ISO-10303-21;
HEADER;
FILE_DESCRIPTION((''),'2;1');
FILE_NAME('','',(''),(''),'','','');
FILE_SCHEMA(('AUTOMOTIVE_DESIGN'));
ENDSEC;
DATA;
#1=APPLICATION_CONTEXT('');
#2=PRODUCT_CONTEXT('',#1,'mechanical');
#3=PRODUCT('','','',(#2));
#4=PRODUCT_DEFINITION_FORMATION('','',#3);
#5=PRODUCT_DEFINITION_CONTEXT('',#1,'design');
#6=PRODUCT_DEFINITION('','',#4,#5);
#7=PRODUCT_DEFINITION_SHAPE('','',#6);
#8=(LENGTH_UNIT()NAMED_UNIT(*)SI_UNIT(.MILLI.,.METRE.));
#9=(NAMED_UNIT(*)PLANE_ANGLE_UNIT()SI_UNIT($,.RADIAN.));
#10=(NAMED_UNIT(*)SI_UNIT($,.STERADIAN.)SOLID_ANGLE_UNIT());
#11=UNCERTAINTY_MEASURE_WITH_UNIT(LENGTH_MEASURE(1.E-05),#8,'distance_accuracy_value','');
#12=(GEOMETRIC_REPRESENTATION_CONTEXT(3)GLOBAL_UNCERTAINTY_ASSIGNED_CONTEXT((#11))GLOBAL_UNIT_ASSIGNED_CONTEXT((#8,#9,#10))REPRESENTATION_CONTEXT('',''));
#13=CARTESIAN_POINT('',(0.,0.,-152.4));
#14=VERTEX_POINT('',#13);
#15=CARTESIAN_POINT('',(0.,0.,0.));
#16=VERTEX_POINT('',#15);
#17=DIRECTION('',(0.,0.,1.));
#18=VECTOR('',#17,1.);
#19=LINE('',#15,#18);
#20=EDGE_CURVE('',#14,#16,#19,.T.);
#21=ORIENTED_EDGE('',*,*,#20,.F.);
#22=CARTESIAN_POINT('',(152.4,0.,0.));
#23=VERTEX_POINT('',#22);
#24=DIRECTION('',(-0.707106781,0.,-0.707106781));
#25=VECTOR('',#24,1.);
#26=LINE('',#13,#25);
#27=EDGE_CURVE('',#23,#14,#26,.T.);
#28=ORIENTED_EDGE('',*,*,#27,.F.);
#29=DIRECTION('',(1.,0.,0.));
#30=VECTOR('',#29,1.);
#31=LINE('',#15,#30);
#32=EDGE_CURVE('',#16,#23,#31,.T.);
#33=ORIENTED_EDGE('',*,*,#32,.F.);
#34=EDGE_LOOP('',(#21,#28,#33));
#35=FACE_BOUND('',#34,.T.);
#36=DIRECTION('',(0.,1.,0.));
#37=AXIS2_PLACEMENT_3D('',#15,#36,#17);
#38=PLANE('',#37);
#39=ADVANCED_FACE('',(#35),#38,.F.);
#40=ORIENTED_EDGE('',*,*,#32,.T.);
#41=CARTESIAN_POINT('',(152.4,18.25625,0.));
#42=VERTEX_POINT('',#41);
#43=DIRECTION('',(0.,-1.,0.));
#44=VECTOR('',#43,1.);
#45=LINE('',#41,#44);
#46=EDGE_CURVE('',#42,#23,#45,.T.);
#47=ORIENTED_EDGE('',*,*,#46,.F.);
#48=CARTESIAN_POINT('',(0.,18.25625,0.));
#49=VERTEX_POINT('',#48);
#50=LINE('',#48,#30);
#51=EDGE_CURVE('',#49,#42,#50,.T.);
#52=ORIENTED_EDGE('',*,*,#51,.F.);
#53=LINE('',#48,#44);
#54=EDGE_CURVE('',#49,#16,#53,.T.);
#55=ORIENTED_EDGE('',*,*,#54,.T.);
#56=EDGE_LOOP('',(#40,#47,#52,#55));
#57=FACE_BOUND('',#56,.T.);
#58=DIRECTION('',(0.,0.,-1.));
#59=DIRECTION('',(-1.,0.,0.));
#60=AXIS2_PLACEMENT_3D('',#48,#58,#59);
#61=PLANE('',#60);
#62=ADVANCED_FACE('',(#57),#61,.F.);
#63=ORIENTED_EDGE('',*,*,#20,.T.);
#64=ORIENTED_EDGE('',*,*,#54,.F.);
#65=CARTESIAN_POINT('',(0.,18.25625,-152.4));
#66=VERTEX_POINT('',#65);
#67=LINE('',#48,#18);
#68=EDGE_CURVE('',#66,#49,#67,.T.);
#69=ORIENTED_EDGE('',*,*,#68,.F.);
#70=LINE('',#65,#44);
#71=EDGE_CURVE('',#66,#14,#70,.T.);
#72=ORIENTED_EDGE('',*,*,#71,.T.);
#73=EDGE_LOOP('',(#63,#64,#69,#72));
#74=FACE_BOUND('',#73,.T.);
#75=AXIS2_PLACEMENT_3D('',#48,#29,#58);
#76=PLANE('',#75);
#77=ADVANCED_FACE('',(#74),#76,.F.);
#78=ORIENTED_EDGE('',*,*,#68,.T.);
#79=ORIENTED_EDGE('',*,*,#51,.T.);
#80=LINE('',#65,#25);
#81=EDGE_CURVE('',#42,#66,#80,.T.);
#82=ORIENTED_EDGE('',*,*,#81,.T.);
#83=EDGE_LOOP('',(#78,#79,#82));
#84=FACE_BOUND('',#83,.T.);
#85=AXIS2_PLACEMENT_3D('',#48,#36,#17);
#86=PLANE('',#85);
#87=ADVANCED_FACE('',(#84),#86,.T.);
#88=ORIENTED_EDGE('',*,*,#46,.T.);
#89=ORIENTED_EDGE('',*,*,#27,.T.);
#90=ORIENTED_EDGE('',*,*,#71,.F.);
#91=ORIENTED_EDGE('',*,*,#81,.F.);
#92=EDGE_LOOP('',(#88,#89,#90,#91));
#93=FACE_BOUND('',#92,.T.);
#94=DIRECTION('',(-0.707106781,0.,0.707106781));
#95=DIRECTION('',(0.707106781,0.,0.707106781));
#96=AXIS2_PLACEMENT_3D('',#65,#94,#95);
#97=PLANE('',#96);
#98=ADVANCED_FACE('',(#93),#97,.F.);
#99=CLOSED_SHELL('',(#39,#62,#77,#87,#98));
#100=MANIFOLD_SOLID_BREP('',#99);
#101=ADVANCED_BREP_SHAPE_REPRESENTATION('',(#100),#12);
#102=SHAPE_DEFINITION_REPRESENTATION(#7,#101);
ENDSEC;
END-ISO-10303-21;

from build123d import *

# Parameters (mm, degrees)
BOSS_EXTRUDE1_DEPTH = 18.25625


with BuildPart() as part:
    # Sketch1 → Boss-Extrude1 (new body)
    with BuildSketch(Plane(origin=(0, 0, 0), x_dir=(1, 0, 0), z_dir=(0, 1, 0))):
        Polygon((0, 0), (0, 152.4), (152.4, 0), align=None)
    extrude(amount=BOSS_EXTRUDE1_DEPTH)


solid = part.part
